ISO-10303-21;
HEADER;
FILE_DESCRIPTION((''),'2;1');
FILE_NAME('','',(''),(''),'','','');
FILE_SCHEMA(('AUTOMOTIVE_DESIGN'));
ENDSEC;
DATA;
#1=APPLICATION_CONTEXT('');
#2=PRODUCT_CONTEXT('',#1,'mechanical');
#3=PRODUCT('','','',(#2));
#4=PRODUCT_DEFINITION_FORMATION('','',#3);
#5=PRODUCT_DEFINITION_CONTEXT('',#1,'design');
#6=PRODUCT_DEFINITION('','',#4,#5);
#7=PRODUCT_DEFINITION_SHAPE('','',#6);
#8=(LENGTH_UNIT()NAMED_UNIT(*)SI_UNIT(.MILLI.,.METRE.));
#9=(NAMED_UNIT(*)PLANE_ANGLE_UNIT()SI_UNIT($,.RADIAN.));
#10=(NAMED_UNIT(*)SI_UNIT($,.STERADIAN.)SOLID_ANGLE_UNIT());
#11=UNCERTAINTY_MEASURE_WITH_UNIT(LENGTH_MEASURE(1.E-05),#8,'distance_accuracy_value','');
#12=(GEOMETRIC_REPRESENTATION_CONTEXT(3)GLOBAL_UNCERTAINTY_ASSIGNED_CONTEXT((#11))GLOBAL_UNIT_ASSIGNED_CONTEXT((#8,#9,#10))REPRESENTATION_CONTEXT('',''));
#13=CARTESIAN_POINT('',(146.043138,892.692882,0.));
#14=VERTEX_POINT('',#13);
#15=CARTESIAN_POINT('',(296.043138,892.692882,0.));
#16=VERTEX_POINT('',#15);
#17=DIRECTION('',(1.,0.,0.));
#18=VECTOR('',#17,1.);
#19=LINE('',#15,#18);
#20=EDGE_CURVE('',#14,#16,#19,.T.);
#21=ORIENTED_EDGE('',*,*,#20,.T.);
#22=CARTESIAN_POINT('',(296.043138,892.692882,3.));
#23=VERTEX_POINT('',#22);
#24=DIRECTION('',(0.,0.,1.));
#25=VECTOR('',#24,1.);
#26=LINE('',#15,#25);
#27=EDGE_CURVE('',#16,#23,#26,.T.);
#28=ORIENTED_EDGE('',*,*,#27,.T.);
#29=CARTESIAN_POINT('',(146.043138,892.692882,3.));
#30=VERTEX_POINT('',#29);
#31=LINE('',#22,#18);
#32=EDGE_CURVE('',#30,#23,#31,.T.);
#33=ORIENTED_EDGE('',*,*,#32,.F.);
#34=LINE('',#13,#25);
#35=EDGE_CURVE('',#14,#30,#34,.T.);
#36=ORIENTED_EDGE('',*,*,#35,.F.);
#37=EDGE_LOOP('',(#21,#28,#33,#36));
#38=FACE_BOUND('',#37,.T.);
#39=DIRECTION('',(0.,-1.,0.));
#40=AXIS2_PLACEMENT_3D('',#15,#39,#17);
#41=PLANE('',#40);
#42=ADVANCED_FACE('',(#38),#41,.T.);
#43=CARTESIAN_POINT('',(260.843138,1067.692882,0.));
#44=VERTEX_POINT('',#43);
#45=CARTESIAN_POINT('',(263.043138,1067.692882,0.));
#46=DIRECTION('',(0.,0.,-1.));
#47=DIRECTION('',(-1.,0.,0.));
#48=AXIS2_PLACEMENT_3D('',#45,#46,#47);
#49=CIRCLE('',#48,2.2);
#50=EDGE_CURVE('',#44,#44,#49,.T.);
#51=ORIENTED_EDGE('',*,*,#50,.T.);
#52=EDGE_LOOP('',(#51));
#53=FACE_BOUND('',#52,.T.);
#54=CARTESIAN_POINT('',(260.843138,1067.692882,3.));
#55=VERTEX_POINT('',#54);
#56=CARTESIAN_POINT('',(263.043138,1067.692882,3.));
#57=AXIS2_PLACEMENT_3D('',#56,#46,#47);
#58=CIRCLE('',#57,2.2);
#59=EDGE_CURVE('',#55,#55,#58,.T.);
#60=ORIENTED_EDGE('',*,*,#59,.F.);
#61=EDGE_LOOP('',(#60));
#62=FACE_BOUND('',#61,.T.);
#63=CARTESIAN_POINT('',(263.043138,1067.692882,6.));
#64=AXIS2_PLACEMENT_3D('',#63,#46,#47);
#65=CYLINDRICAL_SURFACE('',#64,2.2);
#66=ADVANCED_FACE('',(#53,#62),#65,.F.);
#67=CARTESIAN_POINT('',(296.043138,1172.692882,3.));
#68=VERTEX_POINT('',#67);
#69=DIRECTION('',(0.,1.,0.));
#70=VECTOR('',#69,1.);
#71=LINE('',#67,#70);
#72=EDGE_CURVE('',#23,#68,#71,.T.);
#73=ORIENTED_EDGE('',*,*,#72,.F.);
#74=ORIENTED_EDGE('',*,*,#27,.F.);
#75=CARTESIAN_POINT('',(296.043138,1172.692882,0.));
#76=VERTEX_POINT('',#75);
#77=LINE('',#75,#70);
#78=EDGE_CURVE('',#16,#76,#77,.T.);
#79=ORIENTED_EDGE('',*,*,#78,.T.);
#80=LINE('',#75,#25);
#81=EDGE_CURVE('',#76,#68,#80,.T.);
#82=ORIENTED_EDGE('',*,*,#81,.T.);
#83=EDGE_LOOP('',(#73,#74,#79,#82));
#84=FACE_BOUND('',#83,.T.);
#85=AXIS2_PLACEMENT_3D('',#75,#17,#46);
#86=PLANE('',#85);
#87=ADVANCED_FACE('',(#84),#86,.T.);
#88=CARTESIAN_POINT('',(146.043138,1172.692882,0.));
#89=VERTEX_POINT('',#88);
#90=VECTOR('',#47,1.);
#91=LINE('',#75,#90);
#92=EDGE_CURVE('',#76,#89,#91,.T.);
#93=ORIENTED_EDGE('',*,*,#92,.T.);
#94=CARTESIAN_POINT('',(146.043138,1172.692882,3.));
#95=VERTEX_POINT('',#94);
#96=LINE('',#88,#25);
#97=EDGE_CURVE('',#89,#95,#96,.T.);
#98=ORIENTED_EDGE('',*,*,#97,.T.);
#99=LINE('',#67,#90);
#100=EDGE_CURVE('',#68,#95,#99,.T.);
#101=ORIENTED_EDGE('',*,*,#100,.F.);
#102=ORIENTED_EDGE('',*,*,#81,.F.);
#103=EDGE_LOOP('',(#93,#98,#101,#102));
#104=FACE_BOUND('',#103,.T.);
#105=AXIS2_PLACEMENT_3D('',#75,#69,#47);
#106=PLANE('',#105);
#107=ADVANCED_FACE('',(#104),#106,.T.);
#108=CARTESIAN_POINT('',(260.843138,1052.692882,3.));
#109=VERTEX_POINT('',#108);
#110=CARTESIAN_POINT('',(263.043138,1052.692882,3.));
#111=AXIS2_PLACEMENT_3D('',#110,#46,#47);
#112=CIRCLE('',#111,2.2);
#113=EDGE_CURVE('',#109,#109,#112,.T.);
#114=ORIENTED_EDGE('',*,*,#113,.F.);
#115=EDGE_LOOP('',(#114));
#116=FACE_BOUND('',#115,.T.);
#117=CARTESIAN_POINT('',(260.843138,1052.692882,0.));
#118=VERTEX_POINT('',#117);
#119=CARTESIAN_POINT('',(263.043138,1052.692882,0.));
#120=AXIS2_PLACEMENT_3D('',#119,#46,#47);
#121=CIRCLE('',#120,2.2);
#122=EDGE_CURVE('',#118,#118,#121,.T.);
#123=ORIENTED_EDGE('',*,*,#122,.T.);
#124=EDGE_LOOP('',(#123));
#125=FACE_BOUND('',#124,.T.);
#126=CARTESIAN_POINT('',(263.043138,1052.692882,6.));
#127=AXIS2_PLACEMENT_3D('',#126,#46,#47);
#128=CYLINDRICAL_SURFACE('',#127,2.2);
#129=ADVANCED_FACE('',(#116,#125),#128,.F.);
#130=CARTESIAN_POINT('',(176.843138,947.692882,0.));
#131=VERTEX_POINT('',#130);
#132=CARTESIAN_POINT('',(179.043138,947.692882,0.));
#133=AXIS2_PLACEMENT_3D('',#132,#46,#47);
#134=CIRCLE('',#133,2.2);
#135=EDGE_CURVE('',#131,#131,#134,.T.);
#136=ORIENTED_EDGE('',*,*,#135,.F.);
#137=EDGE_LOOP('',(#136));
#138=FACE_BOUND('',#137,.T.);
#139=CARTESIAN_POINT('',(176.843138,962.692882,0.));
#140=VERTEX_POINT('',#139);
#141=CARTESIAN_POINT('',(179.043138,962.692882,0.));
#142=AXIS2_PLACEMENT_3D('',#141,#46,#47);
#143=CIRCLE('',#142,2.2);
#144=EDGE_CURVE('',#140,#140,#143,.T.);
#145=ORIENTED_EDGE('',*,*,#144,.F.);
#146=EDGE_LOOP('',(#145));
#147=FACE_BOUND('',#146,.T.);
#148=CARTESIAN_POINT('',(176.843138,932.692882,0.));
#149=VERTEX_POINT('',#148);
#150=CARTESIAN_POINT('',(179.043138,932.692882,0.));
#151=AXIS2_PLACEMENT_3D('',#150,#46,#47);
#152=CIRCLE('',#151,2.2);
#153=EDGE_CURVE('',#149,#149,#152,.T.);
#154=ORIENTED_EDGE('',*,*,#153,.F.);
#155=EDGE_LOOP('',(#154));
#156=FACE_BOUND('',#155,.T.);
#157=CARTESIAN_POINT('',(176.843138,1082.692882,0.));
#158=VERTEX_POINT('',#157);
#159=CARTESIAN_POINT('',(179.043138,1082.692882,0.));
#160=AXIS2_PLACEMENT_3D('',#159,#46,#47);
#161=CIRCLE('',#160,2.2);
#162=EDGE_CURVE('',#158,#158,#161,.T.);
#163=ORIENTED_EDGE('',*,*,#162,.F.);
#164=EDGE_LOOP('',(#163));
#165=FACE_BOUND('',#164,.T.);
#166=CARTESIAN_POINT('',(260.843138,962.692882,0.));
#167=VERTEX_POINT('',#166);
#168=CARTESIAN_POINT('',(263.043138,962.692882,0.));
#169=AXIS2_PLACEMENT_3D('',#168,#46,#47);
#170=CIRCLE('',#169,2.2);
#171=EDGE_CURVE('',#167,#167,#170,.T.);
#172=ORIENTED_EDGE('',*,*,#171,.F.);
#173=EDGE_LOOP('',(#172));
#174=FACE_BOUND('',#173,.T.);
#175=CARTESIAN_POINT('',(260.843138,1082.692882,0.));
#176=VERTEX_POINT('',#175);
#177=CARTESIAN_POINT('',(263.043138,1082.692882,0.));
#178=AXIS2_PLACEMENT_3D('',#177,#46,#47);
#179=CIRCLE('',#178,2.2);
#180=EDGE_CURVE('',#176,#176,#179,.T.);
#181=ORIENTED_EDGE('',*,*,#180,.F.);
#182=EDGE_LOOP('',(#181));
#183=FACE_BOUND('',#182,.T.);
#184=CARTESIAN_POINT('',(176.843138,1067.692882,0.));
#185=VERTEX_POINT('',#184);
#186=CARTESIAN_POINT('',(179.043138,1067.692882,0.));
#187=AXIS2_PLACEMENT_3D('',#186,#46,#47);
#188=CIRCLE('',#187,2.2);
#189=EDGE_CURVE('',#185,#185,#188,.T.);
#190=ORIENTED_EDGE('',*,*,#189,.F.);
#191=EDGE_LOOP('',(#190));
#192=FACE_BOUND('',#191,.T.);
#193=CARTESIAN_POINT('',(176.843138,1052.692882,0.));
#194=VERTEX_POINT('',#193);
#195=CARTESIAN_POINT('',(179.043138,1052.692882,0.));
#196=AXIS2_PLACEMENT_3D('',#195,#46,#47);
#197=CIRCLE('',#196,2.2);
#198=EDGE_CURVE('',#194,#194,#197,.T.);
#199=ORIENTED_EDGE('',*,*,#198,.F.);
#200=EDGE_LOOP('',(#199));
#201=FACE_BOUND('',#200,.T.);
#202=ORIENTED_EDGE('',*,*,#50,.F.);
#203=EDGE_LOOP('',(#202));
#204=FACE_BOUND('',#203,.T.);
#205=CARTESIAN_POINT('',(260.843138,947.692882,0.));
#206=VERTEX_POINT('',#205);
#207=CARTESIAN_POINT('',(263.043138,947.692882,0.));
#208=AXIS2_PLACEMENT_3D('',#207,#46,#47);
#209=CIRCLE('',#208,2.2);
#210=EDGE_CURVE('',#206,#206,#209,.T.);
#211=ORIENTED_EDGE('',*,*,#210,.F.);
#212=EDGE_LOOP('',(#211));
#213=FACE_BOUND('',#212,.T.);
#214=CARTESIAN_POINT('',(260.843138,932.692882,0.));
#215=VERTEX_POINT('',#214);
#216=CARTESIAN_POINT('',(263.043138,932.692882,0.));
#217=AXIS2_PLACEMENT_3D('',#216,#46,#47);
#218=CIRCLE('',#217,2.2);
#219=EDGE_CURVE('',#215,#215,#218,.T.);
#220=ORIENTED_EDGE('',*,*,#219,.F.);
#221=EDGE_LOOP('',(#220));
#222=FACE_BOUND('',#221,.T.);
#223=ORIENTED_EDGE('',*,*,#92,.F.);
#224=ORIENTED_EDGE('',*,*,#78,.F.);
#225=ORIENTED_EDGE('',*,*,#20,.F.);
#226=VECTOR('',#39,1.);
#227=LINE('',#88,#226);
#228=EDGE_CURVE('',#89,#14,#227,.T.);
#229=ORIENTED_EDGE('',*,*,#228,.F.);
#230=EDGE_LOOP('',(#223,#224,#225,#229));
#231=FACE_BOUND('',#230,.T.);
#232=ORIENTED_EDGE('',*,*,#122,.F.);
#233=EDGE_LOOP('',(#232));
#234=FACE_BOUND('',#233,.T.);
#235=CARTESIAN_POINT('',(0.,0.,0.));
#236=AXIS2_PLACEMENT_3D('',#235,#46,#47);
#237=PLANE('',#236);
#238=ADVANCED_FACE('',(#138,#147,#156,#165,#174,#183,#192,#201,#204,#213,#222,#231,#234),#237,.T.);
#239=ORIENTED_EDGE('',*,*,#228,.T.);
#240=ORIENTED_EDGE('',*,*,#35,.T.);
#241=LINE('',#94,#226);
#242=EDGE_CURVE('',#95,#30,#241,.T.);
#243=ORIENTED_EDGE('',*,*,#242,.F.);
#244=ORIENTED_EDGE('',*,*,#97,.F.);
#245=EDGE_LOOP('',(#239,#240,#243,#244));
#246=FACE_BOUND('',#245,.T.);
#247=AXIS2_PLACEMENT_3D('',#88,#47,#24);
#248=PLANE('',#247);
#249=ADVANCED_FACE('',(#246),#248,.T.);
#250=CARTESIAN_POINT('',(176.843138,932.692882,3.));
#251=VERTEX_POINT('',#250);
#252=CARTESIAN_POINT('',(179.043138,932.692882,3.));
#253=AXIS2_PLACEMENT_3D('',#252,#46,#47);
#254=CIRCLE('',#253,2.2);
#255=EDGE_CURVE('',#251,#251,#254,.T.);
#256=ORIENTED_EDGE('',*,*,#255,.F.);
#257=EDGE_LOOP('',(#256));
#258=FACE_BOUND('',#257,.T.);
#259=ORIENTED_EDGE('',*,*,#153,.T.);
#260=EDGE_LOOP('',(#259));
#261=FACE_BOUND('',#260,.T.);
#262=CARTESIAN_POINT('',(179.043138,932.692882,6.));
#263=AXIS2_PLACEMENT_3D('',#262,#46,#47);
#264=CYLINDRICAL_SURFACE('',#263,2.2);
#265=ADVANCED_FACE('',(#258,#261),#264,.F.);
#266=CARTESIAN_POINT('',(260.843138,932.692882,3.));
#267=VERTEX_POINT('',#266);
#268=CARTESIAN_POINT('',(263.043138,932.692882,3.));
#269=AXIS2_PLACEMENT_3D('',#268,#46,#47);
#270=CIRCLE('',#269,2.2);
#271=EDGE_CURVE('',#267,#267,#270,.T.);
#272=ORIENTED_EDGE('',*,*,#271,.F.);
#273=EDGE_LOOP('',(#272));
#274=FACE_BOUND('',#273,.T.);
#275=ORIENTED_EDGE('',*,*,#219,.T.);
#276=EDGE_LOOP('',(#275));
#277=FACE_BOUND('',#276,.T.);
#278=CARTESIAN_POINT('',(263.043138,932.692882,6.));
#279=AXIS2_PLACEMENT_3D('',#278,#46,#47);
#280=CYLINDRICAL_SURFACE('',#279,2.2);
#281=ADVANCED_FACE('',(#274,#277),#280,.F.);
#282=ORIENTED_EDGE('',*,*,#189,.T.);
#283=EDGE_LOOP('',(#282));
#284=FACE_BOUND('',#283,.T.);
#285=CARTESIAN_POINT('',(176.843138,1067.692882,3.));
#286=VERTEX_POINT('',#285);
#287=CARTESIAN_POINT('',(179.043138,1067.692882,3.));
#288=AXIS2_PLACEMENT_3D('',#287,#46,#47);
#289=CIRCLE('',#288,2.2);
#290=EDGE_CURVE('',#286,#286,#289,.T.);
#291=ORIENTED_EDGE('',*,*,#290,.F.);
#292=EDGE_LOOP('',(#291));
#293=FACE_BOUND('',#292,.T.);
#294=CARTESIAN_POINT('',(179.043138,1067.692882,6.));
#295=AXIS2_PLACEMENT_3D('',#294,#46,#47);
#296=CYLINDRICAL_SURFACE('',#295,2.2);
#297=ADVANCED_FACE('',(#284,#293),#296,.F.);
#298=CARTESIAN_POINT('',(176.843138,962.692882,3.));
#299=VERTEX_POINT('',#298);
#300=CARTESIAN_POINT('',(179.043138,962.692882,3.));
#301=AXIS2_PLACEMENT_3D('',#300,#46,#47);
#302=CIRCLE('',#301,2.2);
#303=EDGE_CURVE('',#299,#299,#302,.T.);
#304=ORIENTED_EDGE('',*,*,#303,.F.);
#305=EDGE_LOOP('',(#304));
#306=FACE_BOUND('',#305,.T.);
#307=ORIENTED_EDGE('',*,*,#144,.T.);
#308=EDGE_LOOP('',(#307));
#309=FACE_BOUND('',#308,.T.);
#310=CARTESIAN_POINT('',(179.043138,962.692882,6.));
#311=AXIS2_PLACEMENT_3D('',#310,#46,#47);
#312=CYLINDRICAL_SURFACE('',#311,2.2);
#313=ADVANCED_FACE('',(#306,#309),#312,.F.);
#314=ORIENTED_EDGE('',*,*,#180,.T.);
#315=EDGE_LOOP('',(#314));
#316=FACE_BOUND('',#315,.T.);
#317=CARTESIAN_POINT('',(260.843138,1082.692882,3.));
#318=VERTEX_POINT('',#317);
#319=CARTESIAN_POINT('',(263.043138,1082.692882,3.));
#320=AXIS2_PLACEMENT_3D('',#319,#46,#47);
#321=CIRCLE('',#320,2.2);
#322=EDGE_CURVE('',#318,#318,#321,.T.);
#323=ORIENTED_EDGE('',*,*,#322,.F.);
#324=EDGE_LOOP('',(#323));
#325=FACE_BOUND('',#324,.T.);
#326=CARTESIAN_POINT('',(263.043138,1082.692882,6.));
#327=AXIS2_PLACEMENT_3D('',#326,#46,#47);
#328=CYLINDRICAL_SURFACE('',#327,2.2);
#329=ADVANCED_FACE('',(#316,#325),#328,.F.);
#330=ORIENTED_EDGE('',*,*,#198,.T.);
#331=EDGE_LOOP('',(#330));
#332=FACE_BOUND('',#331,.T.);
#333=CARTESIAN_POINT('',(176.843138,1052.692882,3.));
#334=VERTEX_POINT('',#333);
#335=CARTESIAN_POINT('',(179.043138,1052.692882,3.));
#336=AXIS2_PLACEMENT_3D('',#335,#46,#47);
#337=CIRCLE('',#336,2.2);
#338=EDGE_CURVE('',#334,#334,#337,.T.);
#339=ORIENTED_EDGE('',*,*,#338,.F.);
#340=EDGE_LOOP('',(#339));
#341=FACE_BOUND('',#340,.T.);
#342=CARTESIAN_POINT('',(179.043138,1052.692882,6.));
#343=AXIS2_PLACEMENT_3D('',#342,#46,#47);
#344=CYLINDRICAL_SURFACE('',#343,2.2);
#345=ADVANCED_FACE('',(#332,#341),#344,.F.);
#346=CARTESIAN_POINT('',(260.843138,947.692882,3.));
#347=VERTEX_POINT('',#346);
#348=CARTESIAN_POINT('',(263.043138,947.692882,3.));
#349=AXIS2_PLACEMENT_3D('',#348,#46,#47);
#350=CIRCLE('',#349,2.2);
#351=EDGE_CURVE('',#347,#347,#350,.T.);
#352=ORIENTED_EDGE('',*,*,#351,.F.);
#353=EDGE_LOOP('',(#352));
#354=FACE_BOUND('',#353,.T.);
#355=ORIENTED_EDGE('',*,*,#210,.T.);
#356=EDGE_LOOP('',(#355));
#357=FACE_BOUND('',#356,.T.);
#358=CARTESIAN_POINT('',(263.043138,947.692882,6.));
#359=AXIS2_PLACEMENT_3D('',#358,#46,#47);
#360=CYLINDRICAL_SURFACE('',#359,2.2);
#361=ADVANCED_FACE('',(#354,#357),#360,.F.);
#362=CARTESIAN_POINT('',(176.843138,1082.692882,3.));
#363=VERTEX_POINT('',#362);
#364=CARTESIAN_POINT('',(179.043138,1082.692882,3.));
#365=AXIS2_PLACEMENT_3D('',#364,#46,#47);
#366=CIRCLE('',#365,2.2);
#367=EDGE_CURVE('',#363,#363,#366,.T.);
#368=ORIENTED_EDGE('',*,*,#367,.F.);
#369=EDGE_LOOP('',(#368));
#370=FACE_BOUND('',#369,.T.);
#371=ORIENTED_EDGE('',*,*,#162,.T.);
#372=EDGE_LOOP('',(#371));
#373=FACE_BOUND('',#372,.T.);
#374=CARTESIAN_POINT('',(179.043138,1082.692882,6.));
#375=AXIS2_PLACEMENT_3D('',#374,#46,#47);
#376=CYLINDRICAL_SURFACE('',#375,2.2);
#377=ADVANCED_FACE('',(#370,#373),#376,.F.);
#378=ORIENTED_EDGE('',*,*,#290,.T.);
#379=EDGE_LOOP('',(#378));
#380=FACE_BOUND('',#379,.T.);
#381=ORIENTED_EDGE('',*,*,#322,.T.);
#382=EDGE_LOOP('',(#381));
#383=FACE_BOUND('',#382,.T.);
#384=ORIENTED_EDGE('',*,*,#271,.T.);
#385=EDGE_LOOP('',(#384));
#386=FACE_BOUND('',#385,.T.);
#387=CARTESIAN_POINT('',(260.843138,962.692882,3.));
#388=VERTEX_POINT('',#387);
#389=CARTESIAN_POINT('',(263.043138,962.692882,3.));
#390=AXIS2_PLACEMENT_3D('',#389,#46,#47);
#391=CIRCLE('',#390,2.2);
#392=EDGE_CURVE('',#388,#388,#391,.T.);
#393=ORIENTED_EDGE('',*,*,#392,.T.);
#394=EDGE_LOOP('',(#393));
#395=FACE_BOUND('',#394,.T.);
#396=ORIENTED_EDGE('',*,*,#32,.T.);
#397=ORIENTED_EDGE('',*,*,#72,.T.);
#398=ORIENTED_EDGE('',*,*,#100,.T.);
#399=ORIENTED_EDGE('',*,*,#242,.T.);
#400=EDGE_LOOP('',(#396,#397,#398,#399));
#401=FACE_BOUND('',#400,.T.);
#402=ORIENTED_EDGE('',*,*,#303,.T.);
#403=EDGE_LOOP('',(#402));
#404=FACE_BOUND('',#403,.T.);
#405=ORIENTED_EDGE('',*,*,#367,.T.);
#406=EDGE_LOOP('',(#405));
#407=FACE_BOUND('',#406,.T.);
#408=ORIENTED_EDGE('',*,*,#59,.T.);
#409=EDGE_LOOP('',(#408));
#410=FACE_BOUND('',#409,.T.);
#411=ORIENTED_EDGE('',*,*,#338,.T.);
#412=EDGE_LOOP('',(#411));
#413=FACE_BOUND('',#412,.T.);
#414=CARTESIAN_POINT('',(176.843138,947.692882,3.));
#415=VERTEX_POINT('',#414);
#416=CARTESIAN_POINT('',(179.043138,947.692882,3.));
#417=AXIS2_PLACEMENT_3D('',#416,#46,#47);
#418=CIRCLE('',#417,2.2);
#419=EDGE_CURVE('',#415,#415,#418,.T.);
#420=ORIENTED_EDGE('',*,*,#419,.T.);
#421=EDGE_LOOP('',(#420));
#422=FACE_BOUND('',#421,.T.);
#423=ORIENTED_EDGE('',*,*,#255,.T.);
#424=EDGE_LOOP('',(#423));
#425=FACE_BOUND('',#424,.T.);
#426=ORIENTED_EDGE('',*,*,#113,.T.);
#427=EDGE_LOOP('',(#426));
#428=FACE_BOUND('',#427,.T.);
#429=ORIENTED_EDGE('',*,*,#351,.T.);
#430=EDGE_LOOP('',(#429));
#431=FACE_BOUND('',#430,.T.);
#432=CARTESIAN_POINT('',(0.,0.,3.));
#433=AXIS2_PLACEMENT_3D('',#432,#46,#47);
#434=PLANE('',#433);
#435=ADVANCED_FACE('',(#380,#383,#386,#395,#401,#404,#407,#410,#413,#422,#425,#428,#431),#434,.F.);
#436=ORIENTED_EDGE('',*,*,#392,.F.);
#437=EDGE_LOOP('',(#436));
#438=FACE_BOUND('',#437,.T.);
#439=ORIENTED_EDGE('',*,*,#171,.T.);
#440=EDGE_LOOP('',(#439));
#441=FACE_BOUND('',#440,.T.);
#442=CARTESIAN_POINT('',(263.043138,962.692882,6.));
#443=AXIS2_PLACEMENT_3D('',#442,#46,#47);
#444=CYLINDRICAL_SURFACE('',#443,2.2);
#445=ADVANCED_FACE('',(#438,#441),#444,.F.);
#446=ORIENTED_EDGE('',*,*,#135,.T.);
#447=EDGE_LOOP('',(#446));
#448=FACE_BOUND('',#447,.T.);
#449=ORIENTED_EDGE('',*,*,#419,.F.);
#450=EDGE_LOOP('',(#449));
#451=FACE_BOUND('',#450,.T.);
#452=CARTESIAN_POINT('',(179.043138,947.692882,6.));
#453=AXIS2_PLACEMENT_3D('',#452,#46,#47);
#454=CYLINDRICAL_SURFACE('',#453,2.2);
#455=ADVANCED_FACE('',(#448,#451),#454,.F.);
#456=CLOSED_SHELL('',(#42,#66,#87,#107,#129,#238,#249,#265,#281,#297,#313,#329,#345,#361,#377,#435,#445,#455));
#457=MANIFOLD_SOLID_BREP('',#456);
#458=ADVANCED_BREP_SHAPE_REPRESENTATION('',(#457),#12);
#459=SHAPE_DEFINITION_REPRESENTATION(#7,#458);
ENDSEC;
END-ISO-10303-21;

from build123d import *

# Parameters (mm, degrees)
BOSS_EXTRUDE1_DEPTH = 3
F_3DSKETCH2_R       = 2.2
CUT_EXTRUDE1_DEPTH  = 18


with BuildPart() as part:
    # 3DSketch1 → Boss-Extrude1 (new body)
    with BuildSketch(Plane(origin=(296.043137644, 1172.692882005, 0), x_dir=(-0.4722214125154188, -0.8814799700287822, 0), z_dir=(0, 0, 1))):
        Polygon((0, 0), (70.833211877, -132.221995504), (317.647603485, 0), (246.814391608, 132.221995504), align=None)
    extrude(amount=BOSS_EXTRUDE1_DEPTH)

    # 3DSketch2 → Cut-Extrude1 (cut)
    with BuildSketch(Plane(origin=(179.043137644, 1082.692882005, 6), x_dir=(0.48860336893184353, -0.8725060159497199, 0), z_dir=(0, 0, -1))):
        with Locations(Location((0, 0, 0), (0, 0, 119.248826336))):
            Circle(F_3DSKETCH2_R)
        with Locations(Location((13.087590239, 7.329050534, 0), (0, 0, 119.248826336))):
            Circle(F_3DSKETCH2_R)
        with Locations(Location((26.175180478, 14.658101068, 0), (0, 0, 119.248826336))):
            Circle(F_3DSKETCH2_R)
        with Locations(Location((104.700721914, 58.632404272, 0), (0, 0, 119.248826337))):
            Circle(F_3DSKETCH2_R)
        with Locations(Location((117.788312153, 65.961454806, 0), (0, 0, 119.248826337))):
            Circle(F_3DSKETCH2_R)
        with Locations(Location((130.875902392, 73.29050534, 0), (0, 0, 119.248826337))):
            Circle(F_3DSKETCH2_R)
        with Locations(Location((171.918585383, 0, 0), (0, 0, 119.248826337))):
            Circle(F_3DSKETCH2_R)
        with Locations(Location((158.830995143, -7.329050534, 0), (0, 0, 119.248826337))):
            Circle(F_3DSKETCH2_R)
        with Locations(Location((145.743404904, -14.658101068, 0), (0, 0, 119.248826337))):
            Circle(F_3DSKETCH2_R)
        with Locations(Location((67.217863469, -58.632404272, 0), (0, 0, 119.248826336))):
            Circle(F_3DSKETCH2_R)
        with Locations(Location((41.04268299, -73.29050534, 0), (0, 0, 119.248826336))):
            Circle(F_3DSKETCH2_R)
        with Locations(Location((54.13027323, -65.961454806, 0), (0, 0, 119.248826336))):
            Circle(F_3DSKETCH2_R)
    extrude(amount=CUT_EXTRUDE1_DEPTH, mode=Mode.SUBTRACT)


solid = part.part
